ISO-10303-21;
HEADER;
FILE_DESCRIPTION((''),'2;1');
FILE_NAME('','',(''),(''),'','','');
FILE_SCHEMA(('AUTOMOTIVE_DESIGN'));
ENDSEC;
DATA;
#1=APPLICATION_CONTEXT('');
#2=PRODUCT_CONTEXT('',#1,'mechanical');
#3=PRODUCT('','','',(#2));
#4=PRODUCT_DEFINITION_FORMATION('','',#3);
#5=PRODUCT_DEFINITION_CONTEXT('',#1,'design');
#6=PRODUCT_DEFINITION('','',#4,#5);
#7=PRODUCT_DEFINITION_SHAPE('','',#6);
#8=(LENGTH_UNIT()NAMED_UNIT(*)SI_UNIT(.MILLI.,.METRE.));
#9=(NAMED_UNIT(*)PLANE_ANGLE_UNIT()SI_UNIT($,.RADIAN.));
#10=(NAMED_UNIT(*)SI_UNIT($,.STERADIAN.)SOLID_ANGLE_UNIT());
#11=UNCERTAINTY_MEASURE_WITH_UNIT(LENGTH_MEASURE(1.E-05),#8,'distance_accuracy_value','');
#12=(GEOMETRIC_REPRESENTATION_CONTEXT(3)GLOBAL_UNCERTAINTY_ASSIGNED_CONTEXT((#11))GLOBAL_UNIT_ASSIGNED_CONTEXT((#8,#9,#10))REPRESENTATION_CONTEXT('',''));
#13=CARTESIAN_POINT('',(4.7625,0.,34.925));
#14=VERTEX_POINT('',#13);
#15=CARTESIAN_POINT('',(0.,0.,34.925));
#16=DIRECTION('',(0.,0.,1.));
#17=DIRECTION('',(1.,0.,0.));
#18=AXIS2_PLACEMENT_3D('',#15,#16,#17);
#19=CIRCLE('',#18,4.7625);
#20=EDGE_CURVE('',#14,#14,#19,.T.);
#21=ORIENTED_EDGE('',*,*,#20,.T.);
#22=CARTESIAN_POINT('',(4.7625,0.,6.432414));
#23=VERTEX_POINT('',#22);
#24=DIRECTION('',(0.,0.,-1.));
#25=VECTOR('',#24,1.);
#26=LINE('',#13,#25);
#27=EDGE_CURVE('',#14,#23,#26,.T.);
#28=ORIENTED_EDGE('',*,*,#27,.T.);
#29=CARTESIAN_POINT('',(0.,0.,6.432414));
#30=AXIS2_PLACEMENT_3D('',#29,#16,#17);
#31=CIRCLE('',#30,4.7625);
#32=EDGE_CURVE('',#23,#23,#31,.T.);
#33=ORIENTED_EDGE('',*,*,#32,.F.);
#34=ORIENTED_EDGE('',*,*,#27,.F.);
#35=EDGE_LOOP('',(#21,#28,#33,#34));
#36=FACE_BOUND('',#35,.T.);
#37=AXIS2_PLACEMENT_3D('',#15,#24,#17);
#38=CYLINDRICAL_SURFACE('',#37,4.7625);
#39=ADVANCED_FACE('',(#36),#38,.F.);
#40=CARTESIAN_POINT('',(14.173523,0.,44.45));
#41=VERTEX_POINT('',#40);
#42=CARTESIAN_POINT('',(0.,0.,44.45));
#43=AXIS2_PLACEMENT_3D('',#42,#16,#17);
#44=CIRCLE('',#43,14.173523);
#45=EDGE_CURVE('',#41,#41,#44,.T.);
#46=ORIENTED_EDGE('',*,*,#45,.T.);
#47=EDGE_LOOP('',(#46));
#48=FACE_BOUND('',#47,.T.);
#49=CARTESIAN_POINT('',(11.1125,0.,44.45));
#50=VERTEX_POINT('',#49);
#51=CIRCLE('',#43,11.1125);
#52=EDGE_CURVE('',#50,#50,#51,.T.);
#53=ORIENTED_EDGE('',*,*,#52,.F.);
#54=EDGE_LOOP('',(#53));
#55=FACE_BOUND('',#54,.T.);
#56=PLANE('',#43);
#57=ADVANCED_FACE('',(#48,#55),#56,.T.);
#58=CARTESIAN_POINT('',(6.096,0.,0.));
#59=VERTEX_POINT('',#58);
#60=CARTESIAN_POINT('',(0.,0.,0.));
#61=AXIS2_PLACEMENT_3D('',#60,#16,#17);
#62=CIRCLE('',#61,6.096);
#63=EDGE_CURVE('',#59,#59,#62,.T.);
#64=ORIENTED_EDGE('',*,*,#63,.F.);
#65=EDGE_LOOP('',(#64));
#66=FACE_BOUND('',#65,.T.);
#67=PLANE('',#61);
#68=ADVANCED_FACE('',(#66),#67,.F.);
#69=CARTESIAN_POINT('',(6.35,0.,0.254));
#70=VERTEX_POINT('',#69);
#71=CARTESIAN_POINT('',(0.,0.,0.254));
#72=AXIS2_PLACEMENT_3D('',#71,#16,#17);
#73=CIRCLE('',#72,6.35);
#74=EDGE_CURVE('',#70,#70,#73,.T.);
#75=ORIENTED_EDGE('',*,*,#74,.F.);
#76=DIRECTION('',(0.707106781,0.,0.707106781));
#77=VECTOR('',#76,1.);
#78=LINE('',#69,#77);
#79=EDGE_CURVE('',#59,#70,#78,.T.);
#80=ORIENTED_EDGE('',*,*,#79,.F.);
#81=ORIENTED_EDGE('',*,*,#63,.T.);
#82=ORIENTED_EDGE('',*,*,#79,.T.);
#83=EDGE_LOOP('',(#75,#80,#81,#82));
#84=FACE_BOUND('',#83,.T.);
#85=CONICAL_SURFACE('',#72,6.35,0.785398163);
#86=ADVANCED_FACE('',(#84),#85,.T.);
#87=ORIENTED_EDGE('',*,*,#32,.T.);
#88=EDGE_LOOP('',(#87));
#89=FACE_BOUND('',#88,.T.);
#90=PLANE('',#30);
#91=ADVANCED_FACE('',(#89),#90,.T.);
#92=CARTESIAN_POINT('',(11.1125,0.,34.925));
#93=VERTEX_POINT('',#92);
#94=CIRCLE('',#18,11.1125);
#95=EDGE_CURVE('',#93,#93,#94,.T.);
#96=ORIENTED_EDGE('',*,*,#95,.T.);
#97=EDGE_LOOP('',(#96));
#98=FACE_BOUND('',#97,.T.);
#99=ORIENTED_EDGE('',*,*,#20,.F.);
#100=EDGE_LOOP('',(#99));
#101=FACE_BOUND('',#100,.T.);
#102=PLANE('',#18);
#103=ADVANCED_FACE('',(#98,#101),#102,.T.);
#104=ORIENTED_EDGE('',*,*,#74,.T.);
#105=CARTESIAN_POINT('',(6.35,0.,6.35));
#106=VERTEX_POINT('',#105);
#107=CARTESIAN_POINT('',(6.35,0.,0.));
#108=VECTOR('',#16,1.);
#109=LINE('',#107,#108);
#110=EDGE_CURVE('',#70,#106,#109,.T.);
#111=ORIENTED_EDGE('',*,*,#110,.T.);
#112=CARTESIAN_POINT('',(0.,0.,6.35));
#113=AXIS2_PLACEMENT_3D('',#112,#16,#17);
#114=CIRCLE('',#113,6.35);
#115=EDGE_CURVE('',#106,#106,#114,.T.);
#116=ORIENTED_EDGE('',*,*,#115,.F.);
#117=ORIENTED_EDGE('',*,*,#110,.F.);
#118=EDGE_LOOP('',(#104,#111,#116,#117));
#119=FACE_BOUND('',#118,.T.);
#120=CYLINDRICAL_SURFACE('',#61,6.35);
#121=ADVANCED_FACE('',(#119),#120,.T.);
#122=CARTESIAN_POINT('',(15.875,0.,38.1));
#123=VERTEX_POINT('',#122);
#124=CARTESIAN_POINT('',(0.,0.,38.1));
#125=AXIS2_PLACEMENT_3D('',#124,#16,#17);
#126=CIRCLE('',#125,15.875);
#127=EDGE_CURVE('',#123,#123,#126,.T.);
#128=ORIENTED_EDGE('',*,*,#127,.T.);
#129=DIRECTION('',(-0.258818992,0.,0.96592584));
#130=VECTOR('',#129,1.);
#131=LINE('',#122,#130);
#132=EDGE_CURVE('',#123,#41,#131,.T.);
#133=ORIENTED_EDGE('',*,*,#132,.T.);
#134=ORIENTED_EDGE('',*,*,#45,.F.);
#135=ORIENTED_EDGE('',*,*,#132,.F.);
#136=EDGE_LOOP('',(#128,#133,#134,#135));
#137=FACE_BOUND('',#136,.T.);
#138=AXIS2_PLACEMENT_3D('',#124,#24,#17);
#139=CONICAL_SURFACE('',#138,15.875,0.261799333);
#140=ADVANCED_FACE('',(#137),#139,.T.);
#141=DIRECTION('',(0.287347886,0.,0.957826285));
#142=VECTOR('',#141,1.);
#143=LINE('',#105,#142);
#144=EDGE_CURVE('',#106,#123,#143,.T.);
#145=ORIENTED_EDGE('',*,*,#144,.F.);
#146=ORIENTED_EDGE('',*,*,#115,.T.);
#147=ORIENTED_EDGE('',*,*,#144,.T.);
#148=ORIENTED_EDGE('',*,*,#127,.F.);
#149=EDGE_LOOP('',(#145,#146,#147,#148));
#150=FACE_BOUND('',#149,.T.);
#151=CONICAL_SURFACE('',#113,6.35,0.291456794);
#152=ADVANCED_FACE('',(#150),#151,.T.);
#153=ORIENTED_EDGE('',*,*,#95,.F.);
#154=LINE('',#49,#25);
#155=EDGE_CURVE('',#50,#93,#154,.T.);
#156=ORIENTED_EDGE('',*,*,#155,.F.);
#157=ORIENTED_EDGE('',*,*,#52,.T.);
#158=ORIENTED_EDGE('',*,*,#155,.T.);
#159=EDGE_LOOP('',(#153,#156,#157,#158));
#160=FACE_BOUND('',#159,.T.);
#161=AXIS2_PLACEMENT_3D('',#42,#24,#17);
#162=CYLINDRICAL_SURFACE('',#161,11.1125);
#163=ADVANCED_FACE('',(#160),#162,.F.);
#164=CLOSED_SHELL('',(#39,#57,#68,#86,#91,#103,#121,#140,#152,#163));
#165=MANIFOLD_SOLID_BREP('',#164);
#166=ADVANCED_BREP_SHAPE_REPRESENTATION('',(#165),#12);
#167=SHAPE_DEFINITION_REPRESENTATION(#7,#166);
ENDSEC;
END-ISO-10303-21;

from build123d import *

# Parameters (mm, degrees)
F2_SIZE2 = 0.254
F2_SIZE  = 0.254


with BuildPart() as f1:
    # F0 (on Front) → F1 (revolve)
    with BuildSketch(Plane.XZ):
        Polygon((4.7625, 6.432414), (6.35, 6.35), (15.875, 38.1), (11.1125, 38.1), (11.1125, 34.925), (4.7625, 34.925), align=None)
        Polygon((0, 6.432414), (0, 0), (6.35, 0), (6.35, 6.35), (4.7625, 6.432414), align=None)
        Polygon((11.1125, 38.1), (15.875, 38.1), (14.173523, 44.45), (11.1125, 44.45), align=None)
    revolve(axis=Axis((0, 0, 19.05), (0, 0, 1)))

    # F2
    f2_edges = [f1.edges().sort_by_distance(p)[0] for p in [
        (-6.35, 0, 0),
    ]]
    chamfer(f2_edges, length=F2_SIZE, length2=F2_SIZE2)


solid = f1.part
